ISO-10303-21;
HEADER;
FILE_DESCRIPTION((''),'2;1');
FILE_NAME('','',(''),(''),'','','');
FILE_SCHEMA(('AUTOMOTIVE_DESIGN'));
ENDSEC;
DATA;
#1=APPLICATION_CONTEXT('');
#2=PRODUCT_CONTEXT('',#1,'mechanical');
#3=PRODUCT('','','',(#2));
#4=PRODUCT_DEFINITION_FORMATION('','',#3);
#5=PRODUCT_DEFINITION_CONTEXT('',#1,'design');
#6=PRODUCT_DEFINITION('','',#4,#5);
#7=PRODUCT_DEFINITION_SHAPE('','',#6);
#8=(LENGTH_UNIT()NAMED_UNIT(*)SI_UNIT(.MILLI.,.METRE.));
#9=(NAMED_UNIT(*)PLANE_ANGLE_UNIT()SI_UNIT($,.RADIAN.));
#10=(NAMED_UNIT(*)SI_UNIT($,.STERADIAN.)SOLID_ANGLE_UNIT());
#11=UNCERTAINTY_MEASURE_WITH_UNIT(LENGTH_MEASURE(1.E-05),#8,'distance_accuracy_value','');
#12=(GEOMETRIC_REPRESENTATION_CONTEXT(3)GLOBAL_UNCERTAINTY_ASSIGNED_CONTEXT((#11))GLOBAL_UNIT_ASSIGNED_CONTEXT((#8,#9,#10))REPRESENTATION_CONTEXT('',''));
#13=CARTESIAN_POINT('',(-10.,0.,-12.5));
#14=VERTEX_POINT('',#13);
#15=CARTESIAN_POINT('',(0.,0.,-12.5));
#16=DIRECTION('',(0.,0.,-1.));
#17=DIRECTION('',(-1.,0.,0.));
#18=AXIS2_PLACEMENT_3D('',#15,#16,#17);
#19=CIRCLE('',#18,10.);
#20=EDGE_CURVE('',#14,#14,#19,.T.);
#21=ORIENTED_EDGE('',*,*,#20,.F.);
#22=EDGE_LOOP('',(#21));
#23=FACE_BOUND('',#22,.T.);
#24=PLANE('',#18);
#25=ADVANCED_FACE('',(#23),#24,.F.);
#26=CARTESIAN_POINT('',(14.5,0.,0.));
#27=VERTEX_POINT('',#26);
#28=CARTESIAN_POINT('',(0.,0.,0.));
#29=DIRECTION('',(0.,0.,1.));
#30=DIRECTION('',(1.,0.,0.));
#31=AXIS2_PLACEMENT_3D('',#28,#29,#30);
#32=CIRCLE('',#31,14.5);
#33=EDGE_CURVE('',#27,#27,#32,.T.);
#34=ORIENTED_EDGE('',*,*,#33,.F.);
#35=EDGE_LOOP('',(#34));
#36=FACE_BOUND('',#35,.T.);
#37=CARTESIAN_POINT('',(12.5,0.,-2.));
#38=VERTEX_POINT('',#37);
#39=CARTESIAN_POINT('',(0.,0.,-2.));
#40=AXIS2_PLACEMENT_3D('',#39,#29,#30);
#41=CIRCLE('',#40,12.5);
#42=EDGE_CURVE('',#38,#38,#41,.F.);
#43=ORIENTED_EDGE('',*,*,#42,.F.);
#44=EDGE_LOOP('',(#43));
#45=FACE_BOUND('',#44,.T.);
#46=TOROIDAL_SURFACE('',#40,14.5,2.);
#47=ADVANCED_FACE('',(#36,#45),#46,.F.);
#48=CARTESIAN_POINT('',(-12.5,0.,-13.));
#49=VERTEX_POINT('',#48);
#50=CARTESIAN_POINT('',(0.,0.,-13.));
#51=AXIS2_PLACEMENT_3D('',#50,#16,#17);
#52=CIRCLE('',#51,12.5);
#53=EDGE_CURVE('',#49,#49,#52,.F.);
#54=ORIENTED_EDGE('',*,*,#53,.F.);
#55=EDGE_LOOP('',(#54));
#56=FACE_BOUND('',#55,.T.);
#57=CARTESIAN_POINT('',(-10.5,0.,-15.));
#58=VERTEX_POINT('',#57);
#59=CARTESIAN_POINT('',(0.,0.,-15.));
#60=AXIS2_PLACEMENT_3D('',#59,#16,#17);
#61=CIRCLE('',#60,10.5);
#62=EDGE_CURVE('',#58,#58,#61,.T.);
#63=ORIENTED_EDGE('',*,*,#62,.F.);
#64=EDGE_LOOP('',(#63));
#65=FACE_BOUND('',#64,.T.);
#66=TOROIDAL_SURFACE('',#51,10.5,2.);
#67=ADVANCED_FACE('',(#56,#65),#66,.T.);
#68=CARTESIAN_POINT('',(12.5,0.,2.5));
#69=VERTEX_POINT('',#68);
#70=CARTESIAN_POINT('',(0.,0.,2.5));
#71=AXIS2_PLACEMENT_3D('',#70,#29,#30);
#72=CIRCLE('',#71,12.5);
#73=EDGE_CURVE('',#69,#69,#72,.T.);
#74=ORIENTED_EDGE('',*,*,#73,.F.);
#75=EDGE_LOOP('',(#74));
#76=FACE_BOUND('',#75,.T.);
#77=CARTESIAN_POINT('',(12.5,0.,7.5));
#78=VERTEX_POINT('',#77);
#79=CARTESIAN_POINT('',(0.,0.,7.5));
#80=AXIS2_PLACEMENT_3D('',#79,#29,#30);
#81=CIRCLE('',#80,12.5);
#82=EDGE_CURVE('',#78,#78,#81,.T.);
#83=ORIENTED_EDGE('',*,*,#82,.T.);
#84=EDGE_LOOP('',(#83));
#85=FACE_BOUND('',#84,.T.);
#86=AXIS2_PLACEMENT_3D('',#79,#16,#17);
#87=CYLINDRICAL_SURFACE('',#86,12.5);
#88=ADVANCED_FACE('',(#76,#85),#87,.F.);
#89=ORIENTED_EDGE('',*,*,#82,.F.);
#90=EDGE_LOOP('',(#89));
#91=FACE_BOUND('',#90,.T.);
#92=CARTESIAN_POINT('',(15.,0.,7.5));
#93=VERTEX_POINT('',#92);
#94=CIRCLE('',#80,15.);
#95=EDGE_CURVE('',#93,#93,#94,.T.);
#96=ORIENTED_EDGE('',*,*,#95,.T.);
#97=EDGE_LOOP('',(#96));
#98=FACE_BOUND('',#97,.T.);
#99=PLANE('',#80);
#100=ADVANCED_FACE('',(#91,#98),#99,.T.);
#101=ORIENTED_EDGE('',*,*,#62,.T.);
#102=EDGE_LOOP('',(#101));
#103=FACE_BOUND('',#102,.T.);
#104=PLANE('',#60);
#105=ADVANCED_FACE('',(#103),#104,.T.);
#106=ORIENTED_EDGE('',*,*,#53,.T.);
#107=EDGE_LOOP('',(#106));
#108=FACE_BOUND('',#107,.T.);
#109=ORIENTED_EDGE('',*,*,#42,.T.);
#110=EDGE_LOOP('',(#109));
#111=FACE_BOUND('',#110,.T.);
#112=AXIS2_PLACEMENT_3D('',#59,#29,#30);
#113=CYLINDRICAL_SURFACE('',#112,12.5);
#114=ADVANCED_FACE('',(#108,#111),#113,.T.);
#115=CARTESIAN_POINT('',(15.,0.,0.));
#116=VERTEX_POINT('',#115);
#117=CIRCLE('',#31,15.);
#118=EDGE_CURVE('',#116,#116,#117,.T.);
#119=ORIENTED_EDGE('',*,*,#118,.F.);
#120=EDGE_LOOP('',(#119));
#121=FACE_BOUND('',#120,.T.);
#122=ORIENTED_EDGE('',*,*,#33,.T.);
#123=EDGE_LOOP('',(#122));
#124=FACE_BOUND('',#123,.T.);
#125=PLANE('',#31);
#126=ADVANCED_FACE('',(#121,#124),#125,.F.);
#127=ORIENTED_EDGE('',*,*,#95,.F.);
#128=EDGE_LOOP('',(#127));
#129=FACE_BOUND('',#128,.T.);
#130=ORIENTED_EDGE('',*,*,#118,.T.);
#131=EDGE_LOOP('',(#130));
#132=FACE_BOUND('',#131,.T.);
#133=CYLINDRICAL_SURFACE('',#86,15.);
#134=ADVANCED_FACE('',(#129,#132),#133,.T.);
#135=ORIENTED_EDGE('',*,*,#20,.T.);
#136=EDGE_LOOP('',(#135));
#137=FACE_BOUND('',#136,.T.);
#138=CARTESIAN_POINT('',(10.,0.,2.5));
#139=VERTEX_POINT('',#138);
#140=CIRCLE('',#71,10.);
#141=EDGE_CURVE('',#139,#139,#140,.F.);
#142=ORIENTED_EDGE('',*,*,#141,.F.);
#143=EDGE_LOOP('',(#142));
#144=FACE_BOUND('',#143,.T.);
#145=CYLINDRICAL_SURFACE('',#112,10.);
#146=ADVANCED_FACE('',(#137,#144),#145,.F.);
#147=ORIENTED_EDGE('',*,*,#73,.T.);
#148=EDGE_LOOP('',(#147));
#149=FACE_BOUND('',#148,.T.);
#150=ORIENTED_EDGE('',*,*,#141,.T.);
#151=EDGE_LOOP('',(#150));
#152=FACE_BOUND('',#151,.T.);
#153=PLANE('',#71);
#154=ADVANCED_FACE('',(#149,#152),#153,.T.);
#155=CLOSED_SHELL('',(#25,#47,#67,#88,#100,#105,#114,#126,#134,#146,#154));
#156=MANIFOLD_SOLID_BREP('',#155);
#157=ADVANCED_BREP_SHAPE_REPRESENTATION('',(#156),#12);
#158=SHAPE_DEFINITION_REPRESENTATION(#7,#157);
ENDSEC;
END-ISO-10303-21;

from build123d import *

# Parameters (mm, degrees)
ESBO_O1_R                = 15
RESSALTO_EXTRUS_O1_DEPTH = 7.5
ESBO_O2_R                = 12.5
RESSALTO_EXTRUS_O2_DEPTH = 15
CASCA1_T                 = -2.5
FILETE2_R                = 2


with BuildPart() as part:
    # Esboço1 → Ressalto-extrusão1 (new body)
    with BuildSketch(Plane.XY):
        Circle(ESBO_O1_R)
    extrude(amount=RESSALTO_EXTRUS_O1_DEPTH)

    # Esboço2 → Ressalto-extrusão2 (add)
    with BuildSketch(Plane(origin=(0, 0, 0), x_dir=(-1, 0, 0), z_dir=(0, 0, -1))):
        Circle(ESBO_O2_R)
    extrude(amount=RESSALTO_EXTRUS_O2_DEPTH)

    # Casca1
    casca1_openings = [part.faces().sort_by_distance(p)[0] for p in [
        (0, 0, 7.5),
    ]]
    offset(amount=CASCA1_T, openings=casca1_openings, kind=Kind.INTERSECTION)

    # Filete2
    filete2_edges = [part.edges().sort_by_distance(p)[0] for p in [
        (12.5, 0, 0),
        (12.5, 0, -15),
    ]]
    fillet(filete2_edges, radius=FILETE2_R)


solid = part.part
